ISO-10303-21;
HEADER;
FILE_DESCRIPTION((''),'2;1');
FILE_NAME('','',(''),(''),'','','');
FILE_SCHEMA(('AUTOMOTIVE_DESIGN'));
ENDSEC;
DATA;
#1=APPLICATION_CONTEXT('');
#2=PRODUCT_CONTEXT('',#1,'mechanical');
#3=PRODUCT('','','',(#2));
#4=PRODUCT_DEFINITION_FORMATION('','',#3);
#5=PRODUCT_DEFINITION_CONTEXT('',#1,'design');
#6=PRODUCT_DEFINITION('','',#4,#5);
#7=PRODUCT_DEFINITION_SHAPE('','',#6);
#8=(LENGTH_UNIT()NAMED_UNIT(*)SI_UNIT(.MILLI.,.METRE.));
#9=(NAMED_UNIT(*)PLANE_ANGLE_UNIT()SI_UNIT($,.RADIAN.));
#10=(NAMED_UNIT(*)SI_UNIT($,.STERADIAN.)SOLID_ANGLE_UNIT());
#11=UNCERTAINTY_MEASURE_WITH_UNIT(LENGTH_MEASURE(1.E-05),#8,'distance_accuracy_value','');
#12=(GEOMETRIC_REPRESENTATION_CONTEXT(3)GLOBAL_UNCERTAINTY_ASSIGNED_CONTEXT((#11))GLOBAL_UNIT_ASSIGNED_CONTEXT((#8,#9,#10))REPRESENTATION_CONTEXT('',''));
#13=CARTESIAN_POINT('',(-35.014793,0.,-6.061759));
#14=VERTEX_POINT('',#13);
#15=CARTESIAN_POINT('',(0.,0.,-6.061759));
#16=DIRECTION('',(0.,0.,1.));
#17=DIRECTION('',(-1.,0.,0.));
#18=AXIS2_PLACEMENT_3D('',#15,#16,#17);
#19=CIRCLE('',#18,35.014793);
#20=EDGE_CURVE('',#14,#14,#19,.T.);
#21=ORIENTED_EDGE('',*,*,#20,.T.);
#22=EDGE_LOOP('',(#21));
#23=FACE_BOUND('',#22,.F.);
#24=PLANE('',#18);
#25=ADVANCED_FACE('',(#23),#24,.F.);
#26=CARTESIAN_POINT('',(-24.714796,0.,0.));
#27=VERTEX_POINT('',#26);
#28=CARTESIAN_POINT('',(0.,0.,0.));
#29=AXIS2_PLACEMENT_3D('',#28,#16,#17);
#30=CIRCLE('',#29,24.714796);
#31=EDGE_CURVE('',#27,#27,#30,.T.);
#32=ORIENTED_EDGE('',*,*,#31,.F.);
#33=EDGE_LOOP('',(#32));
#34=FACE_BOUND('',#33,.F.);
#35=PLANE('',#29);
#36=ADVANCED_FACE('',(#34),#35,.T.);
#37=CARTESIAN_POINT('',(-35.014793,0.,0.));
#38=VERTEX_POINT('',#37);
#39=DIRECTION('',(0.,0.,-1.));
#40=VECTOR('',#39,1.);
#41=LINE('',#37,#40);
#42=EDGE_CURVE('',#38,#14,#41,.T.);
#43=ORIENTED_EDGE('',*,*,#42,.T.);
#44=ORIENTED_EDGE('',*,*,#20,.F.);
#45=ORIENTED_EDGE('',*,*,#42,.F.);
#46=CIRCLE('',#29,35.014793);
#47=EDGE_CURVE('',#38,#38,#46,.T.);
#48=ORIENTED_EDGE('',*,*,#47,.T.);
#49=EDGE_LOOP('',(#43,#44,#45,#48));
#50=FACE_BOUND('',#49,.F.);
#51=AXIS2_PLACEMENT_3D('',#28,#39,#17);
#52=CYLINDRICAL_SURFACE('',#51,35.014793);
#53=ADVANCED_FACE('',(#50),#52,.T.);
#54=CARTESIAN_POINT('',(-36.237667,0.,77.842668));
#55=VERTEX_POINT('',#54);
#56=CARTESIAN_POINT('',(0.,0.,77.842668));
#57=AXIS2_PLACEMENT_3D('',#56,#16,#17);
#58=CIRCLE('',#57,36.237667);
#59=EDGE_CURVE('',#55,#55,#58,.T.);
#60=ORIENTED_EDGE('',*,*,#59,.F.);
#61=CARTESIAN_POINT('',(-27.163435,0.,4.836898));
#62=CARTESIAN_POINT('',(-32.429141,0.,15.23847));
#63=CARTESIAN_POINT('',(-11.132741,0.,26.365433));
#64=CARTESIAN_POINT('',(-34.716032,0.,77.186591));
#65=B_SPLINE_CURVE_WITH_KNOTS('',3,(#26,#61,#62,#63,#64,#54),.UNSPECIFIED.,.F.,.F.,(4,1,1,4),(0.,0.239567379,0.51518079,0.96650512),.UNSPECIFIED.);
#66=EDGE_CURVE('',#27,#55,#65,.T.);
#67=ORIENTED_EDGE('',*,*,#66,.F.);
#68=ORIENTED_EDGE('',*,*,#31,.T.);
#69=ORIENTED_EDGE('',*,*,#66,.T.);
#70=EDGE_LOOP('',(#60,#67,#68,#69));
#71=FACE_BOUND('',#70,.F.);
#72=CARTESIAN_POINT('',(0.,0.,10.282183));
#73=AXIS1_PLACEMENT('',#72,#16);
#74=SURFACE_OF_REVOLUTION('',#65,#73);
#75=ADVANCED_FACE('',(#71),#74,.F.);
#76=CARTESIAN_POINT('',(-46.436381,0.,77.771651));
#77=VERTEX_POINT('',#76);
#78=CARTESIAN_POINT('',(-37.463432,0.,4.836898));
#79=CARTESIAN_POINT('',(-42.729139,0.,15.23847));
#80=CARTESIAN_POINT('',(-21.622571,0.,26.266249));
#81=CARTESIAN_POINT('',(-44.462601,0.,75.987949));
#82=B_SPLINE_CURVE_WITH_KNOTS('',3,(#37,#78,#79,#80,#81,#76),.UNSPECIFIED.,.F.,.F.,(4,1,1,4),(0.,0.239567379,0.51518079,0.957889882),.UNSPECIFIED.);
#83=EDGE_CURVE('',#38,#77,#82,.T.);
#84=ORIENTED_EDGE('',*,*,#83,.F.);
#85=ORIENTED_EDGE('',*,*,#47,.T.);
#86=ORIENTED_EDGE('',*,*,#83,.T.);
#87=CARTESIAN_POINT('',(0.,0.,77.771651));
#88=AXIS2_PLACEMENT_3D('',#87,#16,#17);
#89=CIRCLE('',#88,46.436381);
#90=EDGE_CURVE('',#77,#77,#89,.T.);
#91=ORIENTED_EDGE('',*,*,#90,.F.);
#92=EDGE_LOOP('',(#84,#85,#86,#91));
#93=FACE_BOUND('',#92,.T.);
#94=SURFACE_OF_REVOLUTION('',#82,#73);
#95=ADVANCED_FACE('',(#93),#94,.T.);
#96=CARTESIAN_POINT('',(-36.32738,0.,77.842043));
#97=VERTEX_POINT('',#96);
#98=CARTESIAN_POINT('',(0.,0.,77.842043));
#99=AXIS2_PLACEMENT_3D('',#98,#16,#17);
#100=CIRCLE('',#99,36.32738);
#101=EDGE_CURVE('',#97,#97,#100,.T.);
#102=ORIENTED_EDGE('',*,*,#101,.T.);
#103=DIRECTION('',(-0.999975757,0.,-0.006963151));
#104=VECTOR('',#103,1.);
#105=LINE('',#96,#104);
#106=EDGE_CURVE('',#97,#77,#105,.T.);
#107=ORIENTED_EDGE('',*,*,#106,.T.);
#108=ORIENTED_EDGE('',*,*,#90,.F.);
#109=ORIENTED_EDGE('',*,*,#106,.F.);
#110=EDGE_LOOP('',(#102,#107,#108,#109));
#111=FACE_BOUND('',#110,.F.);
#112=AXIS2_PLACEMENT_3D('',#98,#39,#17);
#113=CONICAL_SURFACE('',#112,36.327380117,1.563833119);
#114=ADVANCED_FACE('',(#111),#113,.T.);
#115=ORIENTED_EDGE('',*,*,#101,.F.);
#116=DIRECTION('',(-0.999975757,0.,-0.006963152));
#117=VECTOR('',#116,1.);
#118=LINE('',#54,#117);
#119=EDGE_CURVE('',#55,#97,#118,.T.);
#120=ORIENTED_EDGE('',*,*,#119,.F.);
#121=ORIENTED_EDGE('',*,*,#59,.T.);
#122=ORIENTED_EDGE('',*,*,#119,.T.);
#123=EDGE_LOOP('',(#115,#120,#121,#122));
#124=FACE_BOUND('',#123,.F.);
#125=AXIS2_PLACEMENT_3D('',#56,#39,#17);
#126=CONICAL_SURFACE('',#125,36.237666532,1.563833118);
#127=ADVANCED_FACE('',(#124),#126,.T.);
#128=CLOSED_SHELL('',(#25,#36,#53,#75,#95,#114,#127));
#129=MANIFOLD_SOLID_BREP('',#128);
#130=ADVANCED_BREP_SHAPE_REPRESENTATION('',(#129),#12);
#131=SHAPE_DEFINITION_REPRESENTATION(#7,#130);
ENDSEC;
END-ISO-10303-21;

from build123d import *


with BuildPart() as f1:
    # F0 (on Front) → F1 (revolve)
    with BuildSketch(Plane.XZ):
        with BuildLine():
            add(Edge.make_bspline(
                [(-35.0147932768, 0), (-37.4634319109, 4.8368983882), (-42.7291387509, 15.2384695191), (-21.6225706668, 26.2662494757), (-44.4626013006, 75.9879487863), (-46.4363805635, 77.7716507864)],
                knots=[0, 0, 0, 0, 0.2395673788, 0.5151807898, 0.9578898823, 0.9578898823, 0.9578898823, 0.9578898823], degree=3))
            Line((-35.0147932768, 0), (-35.0147932768, -6.0617593117))
            Line((-35.0147932768, -6.0617593117), (0, -6.0617593117))
            Line((0, -6.0617593117), (0, 0))
            Line((0, 0), (-24.7147958726, 0))
            add(Edge.make_bspline(
                [(-24.7147958726, 0), (-27.1634345067, 4.8368983882), (-32.4291413467, 15.2384695191), (-11.132741323, 26.3654330498), (-34.7160322173, 77.1865908991), (-36.2376665324, 77.8426676989)],
                knots=[0, 0, 0, 0, 0.2395673788, 0.5151807898, 0.9665051197, 0.9665051197, 0.9665051197, 0.9665051197], degree=3))
            Line((-36.2376665324, 77.8426676989), (-36.327380117, 77.8420429944))
            Line((-36.327380117, 77.8420429944), (-46.4363805635, 77.7716507864))
        make_face()
    revolve(axis=Axis((0, 0, 10.282183066), (0, 0, 1)))


solid = f1.part
